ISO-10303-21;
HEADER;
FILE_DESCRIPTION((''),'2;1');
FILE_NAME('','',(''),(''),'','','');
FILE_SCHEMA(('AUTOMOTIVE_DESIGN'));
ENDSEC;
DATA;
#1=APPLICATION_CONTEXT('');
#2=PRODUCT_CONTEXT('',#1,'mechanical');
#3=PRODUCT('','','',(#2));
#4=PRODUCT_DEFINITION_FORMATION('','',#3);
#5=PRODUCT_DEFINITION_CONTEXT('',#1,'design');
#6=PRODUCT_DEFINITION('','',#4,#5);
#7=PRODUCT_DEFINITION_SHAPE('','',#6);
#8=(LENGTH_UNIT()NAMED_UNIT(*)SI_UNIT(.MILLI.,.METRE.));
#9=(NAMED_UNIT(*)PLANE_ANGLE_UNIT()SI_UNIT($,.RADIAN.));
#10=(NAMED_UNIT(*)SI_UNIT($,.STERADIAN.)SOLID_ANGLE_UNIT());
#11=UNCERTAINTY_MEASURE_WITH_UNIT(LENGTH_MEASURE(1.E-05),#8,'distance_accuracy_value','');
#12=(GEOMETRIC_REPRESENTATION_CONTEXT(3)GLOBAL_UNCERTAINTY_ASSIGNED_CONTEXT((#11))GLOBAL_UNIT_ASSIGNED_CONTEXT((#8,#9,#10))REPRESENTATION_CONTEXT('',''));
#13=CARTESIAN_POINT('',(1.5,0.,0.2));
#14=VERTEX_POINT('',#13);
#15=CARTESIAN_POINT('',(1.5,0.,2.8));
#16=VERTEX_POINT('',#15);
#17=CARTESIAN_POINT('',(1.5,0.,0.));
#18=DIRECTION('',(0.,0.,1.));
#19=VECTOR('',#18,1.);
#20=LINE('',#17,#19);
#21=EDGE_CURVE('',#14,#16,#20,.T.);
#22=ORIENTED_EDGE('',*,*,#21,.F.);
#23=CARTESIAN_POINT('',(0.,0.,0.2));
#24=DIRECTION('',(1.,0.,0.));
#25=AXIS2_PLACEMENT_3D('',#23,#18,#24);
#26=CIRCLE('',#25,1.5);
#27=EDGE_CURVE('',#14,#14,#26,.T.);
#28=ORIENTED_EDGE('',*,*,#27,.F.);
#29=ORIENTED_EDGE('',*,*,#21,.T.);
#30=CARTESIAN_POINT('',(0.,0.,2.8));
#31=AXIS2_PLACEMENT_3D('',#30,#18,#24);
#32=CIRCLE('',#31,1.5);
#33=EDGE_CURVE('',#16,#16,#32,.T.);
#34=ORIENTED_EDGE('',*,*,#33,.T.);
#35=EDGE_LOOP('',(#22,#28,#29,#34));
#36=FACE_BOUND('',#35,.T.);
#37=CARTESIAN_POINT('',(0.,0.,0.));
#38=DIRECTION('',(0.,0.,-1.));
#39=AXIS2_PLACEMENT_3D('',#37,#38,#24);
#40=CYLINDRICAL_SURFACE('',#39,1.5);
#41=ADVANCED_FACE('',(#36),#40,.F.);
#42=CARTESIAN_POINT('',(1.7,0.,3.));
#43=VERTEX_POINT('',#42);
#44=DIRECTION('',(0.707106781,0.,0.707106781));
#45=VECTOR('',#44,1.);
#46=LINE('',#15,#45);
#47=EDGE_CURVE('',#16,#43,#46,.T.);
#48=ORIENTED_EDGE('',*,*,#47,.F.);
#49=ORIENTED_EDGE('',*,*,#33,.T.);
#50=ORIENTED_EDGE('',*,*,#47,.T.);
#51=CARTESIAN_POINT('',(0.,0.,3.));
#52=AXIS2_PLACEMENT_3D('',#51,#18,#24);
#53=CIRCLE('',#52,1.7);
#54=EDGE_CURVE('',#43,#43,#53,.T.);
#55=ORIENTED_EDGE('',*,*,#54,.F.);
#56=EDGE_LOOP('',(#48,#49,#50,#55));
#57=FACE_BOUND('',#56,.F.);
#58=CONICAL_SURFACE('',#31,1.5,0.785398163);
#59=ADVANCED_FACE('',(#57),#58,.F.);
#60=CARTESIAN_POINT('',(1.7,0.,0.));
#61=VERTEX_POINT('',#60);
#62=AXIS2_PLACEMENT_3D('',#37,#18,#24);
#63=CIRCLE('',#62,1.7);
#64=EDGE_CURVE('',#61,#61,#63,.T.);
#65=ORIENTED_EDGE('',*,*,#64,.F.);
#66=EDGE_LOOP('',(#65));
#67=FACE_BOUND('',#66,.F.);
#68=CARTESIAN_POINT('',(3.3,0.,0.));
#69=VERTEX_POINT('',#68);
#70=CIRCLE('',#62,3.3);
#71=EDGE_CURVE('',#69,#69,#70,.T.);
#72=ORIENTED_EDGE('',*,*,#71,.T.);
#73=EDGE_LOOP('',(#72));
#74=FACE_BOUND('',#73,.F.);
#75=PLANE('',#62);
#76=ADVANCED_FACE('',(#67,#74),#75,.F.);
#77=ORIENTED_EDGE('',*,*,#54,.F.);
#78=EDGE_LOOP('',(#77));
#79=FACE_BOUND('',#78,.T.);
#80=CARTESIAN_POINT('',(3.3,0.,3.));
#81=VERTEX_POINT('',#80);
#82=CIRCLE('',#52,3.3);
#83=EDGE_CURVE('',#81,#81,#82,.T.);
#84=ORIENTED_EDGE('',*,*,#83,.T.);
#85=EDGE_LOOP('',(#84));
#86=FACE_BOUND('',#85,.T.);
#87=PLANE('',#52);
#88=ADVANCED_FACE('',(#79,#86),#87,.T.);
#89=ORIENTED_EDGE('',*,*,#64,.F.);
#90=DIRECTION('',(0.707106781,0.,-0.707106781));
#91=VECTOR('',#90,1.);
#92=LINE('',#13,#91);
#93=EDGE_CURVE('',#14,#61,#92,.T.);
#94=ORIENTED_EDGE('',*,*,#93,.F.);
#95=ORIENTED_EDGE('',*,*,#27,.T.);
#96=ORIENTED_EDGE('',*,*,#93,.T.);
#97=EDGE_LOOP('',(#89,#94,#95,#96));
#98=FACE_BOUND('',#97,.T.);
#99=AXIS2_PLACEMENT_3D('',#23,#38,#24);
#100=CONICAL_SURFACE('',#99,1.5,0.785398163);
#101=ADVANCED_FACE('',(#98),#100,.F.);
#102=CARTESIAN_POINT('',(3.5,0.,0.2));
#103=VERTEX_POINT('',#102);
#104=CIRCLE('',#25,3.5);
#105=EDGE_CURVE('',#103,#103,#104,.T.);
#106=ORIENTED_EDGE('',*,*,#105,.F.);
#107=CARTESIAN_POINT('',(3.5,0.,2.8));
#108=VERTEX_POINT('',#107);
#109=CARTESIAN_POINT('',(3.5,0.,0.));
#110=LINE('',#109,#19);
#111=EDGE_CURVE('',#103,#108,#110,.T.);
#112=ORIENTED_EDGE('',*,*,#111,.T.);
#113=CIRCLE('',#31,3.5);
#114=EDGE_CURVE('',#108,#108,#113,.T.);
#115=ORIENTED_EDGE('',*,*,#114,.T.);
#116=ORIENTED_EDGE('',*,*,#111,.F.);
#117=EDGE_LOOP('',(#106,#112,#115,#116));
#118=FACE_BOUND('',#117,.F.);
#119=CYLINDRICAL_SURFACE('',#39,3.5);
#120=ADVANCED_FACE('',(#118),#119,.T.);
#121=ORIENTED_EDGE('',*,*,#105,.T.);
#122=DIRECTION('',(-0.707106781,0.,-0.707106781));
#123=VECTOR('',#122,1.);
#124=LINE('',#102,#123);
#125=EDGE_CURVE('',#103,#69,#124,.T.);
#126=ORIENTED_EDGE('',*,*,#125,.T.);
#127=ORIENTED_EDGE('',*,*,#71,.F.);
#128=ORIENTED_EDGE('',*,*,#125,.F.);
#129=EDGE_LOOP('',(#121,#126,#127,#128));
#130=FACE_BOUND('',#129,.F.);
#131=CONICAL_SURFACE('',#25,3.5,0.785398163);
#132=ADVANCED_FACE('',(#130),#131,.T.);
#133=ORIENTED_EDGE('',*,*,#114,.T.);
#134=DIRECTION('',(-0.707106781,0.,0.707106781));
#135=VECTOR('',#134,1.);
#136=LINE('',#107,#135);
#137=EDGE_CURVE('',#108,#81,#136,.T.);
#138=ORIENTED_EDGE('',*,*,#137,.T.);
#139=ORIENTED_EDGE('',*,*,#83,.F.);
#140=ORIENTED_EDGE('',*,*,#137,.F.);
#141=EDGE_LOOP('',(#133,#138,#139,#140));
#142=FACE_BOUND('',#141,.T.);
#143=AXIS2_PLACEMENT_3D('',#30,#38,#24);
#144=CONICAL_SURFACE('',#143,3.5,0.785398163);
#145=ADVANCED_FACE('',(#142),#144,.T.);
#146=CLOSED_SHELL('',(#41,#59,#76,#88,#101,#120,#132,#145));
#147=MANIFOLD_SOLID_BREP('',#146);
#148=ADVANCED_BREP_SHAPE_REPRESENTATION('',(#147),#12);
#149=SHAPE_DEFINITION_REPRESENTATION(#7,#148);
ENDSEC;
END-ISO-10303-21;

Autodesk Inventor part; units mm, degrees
ref_plane "YZ Plane" through (0, 0, 0) normal (1, 0, 0) x (0, 1, 0)
ref_plane "XZ Plane" through (0, 0, 0) normal (0, 1, 0) x (-1, 0, 0)
ref_plane "XY Plane" through (0, 0, 0) normal (0, 0, 1) x (1, 0, 0)
sketch "スケッチ1" plane through (0, 0, 0) normal (0, 0, 1) x (1, 0, 0)
  circle A0 centre (0, 0) radius 1.5
  circle A1 centre (0, 0) radius 3.5
  dimension "d0" = 3
  dimension "d1" = 7
extrude "押し出し1" add sketch "スケッチ1" along normal blind 3
chamfer "面取り1" distance 0.2 angle 45 4 edges at (-3.5, 0, 3) (-3.5, 0, 0) (-1.5, 0, 3) (-1.5, 0, 0)
properties part number "ベアリング_3-7-3"
